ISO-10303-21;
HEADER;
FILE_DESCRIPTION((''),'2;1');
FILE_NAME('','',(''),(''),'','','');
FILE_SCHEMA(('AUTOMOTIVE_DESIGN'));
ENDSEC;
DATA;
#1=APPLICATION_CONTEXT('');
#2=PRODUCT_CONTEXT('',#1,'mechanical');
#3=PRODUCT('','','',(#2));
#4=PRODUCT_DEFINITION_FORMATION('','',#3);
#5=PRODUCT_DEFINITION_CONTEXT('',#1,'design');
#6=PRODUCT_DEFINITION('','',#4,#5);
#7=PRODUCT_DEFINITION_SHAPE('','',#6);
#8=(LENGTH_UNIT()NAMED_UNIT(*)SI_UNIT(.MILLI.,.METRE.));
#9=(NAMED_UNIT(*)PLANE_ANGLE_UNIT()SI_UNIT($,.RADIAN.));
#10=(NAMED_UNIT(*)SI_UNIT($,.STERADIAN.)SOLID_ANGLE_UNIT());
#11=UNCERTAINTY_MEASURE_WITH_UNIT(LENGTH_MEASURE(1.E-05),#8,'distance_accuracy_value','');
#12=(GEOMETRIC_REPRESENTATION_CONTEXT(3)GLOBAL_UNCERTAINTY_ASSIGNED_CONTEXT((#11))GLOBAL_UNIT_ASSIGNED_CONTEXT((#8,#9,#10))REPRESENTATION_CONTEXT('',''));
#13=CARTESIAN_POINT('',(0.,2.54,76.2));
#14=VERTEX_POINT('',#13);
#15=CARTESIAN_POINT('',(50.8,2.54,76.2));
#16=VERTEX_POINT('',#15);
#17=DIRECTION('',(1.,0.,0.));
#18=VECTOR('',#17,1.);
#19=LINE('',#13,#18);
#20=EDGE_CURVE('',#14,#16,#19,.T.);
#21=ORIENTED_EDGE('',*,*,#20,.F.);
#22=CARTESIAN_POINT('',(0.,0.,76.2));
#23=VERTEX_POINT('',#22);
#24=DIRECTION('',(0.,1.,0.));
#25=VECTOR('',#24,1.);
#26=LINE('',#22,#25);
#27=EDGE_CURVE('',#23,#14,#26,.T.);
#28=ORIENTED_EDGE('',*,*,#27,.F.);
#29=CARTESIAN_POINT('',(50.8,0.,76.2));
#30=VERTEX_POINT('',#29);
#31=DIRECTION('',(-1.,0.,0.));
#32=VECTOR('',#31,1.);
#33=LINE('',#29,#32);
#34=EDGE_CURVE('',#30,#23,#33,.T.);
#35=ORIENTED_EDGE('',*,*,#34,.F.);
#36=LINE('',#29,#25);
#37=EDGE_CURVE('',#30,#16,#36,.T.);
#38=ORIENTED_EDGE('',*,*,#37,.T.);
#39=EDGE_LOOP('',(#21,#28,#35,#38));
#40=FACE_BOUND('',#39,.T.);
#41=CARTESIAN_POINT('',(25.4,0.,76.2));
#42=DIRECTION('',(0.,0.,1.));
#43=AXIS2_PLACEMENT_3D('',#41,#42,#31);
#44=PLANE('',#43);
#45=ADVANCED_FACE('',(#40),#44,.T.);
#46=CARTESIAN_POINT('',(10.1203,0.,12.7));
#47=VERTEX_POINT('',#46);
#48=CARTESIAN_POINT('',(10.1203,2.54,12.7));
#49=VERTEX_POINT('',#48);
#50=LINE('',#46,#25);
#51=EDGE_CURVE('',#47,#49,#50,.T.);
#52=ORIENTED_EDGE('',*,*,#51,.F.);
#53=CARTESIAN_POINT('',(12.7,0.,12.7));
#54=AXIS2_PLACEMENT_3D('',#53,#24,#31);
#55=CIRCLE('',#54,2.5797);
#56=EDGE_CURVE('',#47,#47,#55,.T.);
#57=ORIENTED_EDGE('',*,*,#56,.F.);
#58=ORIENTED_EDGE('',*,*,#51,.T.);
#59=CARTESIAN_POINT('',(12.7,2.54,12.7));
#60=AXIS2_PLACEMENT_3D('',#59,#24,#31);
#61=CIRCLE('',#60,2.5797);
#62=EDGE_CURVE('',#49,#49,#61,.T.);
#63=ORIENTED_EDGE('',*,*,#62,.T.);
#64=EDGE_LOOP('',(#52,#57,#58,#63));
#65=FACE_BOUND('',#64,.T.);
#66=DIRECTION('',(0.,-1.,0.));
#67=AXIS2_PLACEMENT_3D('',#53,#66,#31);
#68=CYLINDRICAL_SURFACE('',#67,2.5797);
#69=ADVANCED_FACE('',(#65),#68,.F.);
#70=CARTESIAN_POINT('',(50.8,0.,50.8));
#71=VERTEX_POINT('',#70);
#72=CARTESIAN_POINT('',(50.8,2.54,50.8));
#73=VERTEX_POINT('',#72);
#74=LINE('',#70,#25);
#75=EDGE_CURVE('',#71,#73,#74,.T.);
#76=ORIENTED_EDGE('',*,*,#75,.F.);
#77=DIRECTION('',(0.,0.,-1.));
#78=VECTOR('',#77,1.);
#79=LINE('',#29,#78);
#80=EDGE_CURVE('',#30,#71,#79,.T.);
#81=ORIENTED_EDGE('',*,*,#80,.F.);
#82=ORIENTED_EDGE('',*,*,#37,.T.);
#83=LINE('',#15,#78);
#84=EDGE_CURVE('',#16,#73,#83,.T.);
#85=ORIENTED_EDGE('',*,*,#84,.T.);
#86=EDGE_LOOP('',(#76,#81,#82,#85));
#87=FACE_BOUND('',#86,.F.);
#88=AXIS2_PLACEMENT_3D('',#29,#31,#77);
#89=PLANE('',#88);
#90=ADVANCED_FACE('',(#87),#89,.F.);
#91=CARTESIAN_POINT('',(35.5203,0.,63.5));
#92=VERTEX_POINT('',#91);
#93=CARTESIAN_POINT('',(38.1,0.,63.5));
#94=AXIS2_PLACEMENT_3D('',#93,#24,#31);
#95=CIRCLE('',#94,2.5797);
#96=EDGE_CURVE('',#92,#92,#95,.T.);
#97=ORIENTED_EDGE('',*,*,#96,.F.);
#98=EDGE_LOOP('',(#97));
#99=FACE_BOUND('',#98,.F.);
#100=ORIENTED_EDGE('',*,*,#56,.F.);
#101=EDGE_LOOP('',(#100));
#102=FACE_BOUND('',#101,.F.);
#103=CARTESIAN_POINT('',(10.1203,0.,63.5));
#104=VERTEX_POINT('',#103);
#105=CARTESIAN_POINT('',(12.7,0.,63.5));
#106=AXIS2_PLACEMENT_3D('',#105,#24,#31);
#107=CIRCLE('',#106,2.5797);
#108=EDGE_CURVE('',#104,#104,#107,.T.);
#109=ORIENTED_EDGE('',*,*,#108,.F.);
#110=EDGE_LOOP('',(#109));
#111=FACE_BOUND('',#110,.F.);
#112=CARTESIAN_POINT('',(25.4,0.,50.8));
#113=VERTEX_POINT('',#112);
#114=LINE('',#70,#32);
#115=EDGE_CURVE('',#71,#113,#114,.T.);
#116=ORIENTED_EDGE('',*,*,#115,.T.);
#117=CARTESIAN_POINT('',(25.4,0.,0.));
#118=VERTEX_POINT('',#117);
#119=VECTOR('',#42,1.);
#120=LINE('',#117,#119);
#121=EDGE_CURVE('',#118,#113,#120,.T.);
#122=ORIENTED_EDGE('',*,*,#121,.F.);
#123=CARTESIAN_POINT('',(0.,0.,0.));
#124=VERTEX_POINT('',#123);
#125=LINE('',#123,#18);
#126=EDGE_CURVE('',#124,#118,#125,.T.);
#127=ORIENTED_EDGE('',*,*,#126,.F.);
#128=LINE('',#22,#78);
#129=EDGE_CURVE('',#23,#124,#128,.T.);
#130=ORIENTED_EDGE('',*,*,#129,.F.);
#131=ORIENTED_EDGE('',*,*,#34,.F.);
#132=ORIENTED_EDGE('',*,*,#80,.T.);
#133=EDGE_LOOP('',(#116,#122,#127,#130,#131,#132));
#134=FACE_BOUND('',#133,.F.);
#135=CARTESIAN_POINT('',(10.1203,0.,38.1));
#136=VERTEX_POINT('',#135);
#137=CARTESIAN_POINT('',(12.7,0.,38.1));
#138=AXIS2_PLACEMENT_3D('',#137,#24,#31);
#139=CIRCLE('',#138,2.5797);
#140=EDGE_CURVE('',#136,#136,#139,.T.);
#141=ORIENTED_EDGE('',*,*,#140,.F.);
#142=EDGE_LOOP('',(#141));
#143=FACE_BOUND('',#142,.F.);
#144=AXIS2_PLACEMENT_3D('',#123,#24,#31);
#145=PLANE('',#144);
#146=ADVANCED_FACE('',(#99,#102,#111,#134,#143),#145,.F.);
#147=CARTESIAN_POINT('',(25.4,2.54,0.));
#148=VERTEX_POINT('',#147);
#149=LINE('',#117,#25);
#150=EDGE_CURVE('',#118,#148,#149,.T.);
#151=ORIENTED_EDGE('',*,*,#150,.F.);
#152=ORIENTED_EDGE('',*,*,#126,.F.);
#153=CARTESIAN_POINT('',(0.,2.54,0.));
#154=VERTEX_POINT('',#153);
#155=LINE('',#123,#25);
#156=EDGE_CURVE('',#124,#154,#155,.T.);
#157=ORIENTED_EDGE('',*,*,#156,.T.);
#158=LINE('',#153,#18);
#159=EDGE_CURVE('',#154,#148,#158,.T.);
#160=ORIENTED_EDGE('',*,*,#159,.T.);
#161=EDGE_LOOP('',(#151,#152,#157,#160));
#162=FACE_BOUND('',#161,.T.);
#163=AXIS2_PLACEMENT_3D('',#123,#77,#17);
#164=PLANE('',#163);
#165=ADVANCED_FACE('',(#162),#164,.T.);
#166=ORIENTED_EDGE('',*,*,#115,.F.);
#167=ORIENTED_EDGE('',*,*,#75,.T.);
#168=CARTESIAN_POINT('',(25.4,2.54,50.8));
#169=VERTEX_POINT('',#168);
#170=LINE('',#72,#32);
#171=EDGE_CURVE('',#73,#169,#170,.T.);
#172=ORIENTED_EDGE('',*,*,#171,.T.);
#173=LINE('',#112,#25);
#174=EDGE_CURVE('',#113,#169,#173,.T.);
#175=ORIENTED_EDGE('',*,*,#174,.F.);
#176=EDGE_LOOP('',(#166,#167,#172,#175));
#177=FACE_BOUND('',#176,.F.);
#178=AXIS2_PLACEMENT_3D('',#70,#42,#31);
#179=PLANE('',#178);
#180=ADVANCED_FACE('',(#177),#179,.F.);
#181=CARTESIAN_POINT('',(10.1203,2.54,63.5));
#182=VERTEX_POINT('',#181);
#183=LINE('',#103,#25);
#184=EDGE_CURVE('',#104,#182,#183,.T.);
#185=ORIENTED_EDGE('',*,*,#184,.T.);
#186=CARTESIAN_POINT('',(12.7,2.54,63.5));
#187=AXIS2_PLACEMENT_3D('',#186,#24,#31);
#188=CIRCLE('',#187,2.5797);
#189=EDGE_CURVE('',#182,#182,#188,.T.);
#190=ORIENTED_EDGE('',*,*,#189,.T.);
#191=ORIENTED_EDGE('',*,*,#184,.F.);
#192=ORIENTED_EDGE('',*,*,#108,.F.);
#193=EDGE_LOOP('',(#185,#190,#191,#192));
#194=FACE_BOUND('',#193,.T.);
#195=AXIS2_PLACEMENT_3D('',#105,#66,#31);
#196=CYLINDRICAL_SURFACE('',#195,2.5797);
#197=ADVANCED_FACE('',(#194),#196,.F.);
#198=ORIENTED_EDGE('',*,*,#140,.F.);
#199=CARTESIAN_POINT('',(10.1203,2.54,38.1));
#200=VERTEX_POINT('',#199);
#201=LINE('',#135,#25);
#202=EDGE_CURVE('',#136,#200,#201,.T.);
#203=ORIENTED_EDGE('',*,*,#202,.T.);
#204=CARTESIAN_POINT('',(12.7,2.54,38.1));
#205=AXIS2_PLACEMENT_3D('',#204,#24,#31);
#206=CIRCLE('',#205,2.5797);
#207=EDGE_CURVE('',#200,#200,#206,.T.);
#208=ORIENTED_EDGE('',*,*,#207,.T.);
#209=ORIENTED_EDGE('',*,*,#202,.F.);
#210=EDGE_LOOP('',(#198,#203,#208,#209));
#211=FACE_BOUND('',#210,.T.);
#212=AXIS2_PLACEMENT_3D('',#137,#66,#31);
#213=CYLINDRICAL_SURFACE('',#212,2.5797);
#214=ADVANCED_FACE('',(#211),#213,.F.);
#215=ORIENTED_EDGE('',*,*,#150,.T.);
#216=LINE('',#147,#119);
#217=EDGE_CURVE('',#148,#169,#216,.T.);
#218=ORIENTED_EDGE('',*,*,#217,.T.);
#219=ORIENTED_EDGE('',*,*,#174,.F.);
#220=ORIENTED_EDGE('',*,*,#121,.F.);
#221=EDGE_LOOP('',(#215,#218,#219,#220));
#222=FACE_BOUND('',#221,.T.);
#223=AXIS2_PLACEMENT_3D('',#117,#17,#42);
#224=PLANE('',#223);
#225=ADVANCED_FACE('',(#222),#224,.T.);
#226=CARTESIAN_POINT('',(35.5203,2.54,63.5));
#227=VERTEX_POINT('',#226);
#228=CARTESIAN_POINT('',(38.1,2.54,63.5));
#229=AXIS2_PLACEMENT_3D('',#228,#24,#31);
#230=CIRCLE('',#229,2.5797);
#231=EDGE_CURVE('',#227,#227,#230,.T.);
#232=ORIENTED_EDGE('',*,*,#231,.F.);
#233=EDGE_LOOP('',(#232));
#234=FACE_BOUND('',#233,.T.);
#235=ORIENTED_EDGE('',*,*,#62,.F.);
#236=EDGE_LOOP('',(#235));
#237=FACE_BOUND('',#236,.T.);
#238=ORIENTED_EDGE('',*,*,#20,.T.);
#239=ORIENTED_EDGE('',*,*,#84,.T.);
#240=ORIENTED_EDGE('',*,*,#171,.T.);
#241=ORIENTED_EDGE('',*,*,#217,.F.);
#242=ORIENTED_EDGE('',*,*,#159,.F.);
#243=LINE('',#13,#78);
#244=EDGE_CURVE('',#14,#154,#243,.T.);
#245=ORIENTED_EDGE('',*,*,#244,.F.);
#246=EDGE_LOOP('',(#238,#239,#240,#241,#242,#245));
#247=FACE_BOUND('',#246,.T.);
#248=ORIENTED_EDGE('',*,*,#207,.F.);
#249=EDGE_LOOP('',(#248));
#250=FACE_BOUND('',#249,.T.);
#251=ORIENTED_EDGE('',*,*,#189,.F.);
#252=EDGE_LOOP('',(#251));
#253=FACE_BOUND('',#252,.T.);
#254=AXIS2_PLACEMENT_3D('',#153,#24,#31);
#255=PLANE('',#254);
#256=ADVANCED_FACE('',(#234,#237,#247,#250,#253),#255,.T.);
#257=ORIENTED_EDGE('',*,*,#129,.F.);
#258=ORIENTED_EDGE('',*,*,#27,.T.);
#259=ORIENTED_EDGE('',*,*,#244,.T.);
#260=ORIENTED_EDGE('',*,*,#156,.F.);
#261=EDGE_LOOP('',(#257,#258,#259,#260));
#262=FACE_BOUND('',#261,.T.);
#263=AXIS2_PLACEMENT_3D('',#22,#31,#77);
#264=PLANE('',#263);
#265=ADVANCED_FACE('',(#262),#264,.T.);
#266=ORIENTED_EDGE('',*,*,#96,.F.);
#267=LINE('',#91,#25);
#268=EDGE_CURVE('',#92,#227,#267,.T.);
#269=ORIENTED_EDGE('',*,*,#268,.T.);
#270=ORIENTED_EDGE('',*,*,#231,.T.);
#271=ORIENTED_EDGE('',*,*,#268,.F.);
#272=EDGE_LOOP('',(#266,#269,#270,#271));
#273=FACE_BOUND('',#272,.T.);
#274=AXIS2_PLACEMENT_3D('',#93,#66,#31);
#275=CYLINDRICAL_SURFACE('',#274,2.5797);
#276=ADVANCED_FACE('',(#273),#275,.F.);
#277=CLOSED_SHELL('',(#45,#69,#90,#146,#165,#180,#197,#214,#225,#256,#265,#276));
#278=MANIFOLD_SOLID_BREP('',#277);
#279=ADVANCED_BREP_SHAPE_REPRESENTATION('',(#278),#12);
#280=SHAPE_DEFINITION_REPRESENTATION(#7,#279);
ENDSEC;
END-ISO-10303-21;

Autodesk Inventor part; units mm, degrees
ref_plane "YZ Plane" through (0, 0, 0) normal (1, 0, 0) x (0, 1, 0)
ref_plane "XZ Plane" through (0, 0, 0) normal (0, 1, 0) x (-1, 0, 0)
ref_plane "XY Plane" through (0, 0, 0) normal (0, 0, 1) x (1, 0, 0)
sketch "Sketch1" plane through (0, 0, 0) normal (0, 1, 0) x (-1, 0, 0)
  line L0 (0, 0) -> (-25.4, 0)
  line L1 (-25.4, 0) -> (-25.4, 76.2)
  line L2 (-25.4, 76.2) -> (0, 76.2)
  line L3 (0, 76.2) -> (0, 0)
  line L4 (-25.4, 76.2) -> (-50.8, 76.2)
  line L5 (-50.8, 76.2) -> (-50.8, 50.8)
  line L6 (-50.8, 50.8) -> (-25.4, 50.8)
  line L7 (-25.4, 50.8) -> (-25.4, 76.2)
  circle A0 centre (-12.7, 12.7) radius 2.5797
  circle A1 centre (-38.1, 63.5) radius 2.5797
  circle A2 centre (-12.7, 38.1) radius 2.5797
  circle A3 centre (-12.7, 63.5) radius 2.5797
  dimension "d0" = 76.2
  dimension "d1" = 25.4
  dimension "d2" = 25.4
  dimension "d3" = 25.4
  dimension "d5" = 38.1
  dimension "d7" = 25.4
  dimension "d8" = 25.4
  dimension "d11" = 12.7
  dimension "d12" = 12.7
  dimension "d13" = 12.7
  dimension "d14" = 5.1594
  dimension "d15" = 5.1594
  dimension "d16" = 5.1594
  dimension "d17" = 5.1594
  dimension "d18" = 12.7
  dimension "d19" = 25.4
  dimension "d20" = 12.7
extrude "Extrusion1" add sketch "Sketch1" along normal blind 2.54
equation "\"d15\" = d14"
equation "\"d16\" = d14"
equation "\"d17\" = d14"
properties part number "bracing 2x3"
